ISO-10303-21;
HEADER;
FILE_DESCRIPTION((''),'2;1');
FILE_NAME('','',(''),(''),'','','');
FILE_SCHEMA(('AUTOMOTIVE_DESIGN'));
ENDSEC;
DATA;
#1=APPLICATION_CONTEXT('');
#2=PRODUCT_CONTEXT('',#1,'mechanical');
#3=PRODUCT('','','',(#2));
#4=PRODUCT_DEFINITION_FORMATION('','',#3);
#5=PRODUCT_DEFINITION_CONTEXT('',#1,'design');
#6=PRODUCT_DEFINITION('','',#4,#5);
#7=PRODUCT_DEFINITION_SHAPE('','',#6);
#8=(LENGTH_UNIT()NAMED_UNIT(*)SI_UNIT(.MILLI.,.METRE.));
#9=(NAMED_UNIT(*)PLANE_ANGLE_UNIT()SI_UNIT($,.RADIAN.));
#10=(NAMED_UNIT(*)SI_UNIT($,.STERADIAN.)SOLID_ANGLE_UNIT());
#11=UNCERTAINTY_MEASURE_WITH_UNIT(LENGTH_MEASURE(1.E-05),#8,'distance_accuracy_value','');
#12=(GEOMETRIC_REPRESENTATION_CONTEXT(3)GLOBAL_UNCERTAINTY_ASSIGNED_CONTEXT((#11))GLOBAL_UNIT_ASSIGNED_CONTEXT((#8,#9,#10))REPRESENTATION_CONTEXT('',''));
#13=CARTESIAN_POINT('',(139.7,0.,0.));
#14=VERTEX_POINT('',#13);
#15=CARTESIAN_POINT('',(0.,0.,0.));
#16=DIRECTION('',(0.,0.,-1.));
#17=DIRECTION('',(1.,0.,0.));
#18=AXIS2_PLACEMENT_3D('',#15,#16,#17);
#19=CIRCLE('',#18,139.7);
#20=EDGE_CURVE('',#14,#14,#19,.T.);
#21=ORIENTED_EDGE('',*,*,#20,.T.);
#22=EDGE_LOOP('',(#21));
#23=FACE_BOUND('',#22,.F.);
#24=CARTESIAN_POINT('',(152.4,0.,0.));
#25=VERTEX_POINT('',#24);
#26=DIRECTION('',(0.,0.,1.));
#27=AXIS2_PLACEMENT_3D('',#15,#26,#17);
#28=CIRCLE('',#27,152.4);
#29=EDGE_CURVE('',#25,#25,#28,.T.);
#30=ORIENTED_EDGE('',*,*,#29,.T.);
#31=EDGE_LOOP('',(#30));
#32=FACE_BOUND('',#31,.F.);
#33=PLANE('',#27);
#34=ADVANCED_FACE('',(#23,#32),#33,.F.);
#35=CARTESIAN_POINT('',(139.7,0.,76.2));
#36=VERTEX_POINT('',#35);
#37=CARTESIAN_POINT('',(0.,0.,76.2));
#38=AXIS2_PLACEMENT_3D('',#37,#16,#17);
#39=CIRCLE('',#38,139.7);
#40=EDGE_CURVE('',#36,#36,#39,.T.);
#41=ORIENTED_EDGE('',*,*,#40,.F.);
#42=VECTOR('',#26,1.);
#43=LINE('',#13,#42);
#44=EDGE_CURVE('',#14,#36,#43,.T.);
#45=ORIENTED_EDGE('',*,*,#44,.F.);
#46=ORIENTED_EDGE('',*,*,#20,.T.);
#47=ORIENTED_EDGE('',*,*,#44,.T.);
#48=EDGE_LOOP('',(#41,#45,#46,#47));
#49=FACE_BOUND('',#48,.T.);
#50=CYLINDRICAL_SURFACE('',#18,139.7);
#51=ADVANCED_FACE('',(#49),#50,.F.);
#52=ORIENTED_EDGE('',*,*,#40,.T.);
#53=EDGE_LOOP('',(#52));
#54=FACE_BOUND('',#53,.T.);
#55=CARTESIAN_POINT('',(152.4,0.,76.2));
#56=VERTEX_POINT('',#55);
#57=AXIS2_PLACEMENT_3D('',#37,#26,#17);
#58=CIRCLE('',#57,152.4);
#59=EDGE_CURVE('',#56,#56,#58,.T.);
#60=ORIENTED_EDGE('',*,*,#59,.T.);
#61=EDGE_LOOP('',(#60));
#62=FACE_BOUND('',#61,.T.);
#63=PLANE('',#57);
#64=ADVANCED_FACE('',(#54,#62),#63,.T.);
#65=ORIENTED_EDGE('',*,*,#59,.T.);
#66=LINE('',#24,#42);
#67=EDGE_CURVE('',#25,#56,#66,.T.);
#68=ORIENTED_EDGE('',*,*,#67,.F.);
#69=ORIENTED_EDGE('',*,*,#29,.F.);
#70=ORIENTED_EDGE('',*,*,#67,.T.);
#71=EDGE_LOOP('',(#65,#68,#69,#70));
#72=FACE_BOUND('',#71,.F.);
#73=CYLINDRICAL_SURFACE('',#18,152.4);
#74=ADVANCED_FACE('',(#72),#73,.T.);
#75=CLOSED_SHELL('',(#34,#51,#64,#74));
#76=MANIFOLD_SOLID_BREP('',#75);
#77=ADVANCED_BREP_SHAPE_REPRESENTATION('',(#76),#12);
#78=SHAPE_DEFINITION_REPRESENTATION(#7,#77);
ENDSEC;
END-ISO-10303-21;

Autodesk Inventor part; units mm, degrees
ref_plane "YZ Plane" through (0, 0, 0) normal (1, 0, 0) x (0, 1, 0)
ref_plane "XZ Plane" through (0, 0, 0) normal (0, 1, 0) x (-1, 0, 0)
ref_plane "XY Plane" through (0, 0, 0) normal (0, 0, 1) x (1, 0, 0)
sketch "Sketch1" plane through (0, 0, 0) normal (0, 0, 1) x (1, 0, 0)
  circle A0 centre (0, 0) radius 152.4
  dimension "d0" = 304.8
extrude "Extrusion1" add sketch "Sketch1" along normal blind 76.2
shell "Shell1" thickness 12.7 removed faces 2 at (29.7836, -25.8225, 0) at (29.7836, -25.8225, 76.2)
properties part number "Ring Base"
